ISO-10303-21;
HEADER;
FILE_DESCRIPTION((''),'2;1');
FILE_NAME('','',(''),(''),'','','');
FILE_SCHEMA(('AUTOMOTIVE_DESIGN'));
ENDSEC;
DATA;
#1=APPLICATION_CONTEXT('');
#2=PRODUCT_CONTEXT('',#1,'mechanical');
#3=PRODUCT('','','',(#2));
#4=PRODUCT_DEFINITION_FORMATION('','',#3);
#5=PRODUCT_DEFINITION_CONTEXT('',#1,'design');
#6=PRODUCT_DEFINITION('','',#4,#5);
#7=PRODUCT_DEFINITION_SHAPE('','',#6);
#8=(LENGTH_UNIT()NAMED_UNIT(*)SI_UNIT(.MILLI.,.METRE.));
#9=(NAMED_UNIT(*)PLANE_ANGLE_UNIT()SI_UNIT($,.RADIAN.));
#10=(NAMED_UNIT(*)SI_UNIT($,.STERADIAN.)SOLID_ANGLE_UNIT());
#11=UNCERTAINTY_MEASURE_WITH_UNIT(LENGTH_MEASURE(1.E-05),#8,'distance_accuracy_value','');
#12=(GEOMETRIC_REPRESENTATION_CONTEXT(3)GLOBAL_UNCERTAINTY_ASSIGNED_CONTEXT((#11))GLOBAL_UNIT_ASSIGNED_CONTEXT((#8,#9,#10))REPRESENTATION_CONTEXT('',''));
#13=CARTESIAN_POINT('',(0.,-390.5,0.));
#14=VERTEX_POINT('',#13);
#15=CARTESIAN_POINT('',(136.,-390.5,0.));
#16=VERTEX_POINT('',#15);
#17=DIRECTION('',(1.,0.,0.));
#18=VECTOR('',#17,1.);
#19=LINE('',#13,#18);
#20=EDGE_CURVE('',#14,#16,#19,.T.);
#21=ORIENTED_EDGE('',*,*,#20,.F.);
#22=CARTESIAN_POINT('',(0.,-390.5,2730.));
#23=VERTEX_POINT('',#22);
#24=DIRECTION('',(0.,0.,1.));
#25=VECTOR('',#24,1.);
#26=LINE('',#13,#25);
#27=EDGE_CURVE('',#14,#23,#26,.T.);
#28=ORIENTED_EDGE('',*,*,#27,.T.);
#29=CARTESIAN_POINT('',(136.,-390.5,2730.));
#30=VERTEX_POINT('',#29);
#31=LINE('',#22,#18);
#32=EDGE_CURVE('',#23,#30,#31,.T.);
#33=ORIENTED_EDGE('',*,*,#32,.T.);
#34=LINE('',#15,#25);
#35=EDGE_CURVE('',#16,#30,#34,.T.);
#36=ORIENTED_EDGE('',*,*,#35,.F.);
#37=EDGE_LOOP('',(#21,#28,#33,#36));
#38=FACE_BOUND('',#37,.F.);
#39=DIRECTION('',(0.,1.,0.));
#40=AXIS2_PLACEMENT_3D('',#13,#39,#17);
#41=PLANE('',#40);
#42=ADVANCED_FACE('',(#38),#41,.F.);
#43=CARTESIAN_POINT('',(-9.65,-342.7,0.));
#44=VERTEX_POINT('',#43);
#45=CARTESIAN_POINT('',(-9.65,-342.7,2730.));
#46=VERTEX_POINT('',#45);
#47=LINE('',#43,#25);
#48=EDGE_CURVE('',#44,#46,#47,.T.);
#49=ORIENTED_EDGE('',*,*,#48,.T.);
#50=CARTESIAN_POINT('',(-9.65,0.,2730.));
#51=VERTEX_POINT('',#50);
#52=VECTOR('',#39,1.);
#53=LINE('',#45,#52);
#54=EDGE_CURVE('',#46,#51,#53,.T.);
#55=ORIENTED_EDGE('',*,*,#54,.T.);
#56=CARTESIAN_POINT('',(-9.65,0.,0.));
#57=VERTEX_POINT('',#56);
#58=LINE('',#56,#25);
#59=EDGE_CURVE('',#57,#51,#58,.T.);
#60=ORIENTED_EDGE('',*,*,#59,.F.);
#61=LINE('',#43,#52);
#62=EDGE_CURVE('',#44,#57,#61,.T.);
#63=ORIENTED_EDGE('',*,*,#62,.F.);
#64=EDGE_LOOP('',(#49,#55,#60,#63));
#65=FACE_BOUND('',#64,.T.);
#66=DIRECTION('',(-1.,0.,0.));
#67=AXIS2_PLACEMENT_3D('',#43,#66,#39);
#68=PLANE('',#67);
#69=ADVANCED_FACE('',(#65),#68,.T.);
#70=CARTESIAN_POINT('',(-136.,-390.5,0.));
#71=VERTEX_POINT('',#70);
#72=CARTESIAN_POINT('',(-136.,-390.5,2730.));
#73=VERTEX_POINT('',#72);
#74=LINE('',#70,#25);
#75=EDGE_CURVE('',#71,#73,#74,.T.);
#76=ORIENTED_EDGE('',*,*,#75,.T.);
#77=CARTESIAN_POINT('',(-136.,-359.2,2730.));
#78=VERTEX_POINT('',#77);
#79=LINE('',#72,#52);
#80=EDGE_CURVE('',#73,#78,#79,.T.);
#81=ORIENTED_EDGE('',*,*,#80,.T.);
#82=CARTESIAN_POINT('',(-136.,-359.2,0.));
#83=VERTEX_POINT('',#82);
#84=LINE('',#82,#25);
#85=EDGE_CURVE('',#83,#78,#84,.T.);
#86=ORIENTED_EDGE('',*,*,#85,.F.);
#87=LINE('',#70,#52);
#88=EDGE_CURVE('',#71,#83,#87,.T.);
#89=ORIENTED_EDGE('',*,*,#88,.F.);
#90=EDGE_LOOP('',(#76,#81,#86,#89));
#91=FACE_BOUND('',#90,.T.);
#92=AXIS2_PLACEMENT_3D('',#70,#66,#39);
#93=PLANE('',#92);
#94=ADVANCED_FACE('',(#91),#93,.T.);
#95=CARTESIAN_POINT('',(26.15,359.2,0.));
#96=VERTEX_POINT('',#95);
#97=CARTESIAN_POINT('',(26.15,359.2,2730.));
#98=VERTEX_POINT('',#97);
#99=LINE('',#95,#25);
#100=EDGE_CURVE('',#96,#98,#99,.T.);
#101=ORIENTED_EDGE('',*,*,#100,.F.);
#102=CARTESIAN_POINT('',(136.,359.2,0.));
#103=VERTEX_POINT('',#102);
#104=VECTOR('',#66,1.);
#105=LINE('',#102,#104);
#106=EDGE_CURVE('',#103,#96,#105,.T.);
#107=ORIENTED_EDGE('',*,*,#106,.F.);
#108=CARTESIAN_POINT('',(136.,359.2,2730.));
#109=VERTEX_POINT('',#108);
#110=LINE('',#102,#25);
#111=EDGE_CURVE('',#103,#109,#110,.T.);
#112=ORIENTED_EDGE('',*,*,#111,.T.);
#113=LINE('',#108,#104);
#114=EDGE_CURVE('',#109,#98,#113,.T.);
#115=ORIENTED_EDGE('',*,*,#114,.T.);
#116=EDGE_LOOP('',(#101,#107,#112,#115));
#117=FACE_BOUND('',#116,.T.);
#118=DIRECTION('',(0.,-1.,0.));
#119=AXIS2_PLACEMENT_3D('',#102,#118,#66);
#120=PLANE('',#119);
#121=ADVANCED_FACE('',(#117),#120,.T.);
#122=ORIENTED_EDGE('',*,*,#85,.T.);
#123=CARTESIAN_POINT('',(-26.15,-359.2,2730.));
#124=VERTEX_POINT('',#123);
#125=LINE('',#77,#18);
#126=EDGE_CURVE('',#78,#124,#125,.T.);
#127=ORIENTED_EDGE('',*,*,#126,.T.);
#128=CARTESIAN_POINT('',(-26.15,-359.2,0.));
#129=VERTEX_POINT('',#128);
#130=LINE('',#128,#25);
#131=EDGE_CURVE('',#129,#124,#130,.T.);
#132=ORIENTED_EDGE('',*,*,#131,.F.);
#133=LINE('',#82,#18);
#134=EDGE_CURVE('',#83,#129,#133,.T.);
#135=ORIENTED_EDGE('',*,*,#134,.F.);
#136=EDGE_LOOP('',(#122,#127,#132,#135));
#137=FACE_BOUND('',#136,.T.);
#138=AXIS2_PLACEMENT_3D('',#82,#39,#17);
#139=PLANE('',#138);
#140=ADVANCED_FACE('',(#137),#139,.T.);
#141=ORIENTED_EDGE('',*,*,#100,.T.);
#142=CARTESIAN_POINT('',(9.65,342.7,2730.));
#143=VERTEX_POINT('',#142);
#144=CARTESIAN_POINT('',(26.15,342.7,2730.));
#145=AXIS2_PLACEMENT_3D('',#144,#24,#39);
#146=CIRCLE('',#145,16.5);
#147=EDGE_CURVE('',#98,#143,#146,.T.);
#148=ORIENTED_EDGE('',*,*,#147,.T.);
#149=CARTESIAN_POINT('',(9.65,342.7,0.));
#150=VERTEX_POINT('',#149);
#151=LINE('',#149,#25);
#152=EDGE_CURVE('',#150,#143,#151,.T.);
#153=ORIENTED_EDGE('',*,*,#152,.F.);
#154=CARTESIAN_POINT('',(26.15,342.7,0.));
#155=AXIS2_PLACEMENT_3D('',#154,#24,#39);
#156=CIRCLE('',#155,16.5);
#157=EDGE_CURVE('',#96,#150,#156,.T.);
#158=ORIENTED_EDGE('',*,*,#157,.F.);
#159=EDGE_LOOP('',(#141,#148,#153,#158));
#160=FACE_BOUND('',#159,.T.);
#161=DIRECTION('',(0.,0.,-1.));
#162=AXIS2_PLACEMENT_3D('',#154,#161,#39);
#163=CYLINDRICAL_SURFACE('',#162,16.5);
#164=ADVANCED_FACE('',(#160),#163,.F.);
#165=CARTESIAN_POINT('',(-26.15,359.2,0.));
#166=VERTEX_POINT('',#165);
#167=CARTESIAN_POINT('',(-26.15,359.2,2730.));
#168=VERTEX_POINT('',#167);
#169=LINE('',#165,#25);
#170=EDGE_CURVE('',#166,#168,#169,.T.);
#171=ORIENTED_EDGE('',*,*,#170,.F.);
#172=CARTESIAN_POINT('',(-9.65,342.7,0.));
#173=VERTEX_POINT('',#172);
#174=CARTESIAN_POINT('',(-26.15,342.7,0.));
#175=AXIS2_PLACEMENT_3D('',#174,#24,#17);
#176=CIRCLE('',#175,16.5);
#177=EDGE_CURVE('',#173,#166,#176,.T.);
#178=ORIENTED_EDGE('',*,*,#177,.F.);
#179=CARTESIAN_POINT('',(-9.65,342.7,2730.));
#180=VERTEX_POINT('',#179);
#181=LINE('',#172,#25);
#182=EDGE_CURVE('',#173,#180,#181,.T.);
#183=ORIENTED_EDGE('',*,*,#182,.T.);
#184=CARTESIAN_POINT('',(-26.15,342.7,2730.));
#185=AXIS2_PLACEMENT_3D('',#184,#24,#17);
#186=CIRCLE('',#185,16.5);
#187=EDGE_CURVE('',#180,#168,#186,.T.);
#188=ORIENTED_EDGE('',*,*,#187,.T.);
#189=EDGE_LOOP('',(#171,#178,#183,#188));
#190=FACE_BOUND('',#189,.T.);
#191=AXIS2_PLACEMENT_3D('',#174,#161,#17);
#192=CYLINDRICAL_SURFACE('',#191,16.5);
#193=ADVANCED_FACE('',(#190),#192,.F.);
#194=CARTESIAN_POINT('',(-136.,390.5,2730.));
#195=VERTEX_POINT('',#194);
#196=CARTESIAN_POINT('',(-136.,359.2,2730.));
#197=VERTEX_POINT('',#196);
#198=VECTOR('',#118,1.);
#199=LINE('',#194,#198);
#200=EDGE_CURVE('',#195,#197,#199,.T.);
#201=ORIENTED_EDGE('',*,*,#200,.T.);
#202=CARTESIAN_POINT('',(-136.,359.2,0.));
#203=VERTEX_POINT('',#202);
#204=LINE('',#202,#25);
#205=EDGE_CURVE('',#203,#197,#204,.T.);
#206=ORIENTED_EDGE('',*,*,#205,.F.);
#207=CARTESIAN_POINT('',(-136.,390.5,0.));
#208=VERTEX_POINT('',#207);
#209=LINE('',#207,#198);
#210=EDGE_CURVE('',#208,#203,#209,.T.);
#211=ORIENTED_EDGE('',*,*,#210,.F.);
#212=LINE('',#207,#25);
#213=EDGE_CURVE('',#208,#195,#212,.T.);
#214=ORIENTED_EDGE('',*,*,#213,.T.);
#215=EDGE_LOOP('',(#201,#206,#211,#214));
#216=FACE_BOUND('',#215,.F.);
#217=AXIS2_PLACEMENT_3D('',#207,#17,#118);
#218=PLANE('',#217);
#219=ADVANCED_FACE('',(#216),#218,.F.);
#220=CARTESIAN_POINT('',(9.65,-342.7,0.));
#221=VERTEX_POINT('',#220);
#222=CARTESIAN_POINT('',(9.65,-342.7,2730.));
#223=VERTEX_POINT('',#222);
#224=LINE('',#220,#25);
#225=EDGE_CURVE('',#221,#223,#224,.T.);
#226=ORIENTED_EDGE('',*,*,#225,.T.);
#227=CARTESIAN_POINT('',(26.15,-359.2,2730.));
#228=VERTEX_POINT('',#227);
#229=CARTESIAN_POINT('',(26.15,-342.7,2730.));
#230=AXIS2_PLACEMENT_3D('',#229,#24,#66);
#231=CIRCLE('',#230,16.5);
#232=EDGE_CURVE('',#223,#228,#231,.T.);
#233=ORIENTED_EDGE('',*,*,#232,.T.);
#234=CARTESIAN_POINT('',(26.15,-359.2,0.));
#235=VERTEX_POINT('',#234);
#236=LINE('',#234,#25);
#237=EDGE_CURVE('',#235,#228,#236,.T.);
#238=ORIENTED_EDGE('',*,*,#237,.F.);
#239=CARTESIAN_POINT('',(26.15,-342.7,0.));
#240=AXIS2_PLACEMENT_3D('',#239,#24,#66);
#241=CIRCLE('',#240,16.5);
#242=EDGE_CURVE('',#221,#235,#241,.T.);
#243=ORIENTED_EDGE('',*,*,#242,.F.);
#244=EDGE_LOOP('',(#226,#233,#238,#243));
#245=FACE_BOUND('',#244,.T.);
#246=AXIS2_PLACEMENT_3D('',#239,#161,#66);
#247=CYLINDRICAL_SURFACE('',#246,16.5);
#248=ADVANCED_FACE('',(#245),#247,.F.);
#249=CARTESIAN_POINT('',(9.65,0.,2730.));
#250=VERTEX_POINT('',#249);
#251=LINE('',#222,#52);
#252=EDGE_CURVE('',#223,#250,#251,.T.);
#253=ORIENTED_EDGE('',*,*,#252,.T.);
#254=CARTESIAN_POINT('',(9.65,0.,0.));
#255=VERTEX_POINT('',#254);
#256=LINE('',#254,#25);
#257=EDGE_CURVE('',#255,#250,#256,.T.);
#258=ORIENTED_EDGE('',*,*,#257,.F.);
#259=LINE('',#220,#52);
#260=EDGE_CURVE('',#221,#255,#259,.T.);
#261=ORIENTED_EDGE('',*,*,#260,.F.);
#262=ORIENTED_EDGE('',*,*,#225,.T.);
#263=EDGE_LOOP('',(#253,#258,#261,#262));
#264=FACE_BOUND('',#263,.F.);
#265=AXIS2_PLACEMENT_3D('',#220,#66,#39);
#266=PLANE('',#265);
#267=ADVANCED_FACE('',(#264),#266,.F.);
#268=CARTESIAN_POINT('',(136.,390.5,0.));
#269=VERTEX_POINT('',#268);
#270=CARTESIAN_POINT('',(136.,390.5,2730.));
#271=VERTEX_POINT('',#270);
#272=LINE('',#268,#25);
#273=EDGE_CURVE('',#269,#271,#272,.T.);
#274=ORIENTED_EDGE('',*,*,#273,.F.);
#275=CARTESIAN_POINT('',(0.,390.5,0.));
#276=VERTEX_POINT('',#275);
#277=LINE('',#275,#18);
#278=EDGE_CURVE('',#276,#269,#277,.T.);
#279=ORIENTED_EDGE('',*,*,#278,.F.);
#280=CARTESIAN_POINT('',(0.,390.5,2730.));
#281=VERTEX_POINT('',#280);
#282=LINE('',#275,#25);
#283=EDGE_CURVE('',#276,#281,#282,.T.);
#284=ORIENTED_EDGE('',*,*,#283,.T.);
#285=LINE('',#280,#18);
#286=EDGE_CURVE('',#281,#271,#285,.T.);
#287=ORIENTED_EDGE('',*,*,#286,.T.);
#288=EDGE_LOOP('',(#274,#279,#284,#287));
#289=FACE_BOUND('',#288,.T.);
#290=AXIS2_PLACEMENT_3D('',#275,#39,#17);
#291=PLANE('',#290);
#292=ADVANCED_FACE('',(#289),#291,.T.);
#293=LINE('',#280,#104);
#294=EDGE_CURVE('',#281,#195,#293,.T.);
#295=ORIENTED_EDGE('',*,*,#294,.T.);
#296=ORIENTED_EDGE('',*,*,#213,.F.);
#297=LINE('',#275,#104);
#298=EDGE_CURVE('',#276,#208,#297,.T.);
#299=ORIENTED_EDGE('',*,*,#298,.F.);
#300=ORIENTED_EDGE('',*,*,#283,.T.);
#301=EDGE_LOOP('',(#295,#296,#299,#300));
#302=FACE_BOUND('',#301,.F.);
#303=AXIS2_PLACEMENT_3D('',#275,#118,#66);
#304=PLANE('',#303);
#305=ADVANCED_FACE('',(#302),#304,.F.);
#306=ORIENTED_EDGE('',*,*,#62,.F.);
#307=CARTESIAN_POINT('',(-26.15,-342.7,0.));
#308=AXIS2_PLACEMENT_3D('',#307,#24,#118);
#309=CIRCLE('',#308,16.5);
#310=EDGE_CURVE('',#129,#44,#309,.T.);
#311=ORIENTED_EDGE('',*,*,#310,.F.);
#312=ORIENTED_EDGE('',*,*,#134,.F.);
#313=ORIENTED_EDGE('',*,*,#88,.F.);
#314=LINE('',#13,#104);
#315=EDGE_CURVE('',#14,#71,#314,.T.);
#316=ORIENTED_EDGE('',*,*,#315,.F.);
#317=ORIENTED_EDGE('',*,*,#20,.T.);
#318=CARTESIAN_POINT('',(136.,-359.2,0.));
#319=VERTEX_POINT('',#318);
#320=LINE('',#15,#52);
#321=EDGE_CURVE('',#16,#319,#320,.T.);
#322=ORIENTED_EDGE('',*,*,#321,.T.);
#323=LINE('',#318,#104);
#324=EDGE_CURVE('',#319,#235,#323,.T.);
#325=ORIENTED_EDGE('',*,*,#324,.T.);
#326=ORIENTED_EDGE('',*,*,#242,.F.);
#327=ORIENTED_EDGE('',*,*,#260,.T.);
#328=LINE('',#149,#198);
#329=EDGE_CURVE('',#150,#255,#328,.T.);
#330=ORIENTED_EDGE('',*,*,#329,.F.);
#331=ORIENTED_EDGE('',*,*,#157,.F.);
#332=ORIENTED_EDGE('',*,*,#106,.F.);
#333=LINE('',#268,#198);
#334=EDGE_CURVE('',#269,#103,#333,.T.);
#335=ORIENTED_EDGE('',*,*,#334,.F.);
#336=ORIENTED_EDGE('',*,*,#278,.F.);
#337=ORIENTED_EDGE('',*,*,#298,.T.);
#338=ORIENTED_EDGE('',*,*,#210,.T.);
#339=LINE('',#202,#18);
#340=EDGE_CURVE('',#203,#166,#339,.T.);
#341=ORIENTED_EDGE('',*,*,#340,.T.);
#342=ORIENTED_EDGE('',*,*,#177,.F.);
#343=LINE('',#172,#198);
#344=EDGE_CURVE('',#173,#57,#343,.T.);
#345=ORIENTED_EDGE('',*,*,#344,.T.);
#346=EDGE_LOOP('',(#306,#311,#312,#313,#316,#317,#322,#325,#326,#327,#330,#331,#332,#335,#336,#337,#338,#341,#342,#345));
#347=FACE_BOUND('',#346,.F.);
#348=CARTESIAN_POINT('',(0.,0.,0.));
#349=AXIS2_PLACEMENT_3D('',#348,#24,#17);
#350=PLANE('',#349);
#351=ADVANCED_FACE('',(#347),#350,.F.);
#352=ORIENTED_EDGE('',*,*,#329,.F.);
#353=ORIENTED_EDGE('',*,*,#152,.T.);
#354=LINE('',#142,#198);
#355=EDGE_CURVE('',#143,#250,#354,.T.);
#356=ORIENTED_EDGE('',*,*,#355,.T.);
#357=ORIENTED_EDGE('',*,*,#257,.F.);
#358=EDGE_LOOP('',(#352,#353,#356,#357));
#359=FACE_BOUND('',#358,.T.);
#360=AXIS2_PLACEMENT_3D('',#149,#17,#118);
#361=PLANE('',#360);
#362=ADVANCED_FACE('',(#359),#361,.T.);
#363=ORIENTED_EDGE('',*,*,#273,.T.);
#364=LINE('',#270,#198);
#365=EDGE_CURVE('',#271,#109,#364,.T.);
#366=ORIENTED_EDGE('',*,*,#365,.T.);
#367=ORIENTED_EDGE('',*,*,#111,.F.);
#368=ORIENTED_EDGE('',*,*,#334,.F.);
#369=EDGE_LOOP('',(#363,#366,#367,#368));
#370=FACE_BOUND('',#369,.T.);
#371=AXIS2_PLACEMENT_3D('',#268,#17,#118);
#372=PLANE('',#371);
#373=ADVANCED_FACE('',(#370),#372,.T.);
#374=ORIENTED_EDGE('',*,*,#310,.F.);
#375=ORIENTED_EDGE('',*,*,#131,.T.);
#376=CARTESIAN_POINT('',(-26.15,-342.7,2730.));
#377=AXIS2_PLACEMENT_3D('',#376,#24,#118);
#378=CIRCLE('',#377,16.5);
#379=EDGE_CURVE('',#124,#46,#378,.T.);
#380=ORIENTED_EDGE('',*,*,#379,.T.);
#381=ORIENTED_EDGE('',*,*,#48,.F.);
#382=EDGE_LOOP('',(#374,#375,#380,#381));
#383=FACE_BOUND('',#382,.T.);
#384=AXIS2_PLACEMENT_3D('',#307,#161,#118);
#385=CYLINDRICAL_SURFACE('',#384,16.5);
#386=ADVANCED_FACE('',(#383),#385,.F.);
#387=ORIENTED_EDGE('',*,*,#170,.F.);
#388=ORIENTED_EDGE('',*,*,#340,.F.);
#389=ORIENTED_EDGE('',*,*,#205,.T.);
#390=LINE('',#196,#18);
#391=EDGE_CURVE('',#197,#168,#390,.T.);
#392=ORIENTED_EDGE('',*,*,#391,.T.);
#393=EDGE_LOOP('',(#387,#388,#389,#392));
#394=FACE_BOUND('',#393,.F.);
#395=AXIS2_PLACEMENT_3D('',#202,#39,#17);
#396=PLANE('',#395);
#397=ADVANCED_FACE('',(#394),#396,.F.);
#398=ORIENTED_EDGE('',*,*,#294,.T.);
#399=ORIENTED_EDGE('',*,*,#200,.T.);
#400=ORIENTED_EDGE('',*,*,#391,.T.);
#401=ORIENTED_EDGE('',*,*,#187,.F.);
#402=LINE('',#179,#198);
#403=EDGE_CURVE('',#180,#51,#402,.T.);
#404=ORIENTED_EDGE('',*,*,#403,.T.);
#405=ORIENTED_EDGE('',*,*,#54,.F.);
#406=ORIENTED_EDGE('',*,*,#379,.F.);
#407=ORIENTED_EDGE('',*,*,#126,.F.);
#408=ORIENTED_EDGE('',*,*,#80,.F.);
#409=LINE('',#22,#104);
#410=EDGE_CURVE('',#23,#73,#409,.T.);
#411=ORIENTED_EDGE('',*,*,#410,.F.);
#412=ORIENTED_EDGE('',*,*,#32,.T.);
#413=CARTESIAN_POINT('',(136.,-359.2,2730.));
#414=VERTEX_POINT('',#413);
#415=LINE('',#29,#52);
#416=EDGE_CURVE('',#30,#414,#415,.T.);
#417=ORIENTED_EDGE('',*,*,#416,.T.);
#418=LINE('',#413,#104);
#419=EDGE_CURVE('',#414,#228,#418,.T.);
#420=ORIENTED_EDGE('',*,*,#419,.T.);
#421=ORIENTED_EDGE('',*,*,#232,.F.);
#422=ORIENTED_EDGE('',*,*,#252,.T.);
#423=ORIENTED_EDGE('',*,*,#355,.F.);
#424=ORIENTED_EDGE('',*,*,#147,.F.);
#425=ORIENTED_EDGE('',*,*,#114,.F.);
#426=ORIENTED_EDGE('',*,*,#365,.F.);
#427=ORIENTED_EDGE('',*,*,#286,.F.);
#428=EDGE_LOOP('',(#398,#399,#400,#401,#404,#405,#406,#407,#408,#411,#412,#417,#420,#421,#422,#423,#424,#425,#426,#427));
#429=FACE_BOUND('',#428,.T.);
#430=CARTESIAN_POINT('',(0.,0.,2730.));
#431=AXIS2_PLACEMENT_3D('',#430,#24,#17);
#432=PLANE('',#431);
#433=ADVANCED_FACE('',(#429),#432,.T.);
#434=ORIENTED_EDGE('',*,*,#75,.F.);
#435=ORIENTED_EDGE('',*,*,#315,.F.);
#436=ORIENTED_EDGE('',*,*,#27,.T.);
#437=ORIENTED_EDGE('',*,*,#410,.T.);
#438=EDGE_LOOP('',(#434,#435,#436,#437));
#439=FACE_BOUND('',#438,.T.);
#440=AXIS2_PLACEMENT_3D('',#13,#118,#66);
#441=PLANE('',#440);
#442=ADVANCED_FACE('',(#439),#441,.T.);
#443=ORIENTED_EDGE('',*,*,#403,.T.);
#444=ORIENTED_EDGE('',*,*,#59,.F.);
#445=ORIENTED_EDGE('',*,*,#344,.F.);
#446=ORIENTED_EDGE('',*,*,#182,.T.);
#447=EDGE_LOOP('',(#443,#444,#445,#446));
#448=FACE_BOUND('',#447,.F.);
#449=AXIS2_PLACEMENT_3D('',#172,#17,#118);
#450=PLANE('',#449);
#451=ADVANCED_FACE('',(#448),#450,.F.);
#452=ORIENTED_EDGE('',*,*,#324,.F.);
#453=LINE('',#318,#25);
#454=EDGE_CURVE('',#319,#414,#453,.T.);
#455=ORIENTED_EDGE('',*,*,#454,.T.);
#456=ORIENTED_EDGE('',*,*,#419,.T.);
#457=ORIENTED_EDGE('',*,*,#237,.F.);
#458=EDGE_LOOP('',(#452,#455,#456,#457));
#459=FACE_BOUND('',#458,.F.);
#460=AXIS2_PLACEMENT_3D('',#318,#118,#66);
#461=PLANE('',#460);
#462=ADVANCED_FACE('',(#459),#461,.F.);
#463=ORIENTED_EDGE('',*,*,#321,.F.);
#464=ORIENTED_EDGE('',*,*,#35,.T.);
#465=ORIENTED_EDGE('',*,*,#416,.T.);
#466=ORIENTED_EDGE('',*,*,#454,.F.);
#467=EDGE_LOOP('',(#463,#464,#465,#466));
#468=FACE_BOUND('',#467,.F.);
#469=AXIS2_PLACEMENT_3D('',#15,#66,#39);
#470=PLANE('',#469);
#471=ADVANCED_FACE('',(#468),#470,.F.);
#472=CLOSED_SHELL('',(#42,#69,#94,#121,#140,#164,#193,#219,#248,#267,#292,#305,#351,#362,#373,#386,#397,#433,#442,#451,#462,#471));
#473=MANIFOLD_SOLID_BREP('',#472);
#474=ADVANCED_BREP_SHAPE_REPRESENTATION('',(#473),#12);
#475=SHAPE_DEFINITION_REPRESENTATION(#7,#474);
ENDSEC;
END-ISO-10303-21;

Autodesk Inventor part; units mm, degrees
ref_plane "YZ Plane" through (0, 0, 0) normal (1, 0, 0) x (0, 1, 0)
ref_plane "Start plane" through (0, 0, 0) normal (0, 0, 1) x (1, 0, 0)
ref_plane "End plane" through (0, 0, 2730) normal (0, 0, 1) x (1, 0, 0)
sketch "Sketch" plane through (0, 0, 0) normal (0, 0, 1) x (1, 0, 0)
  line L0 (-136, -390.5) -> (-136, -359.2)
  line L1 (-136, -359.2) -> (-26.15, -359.2)
  line L2 (-9.65, -342.7) -> (-9.65, 0)
  line L3 (-9.65, 0) -> (0, 0) construction
  line L4 (0, 0) -> (0, -390.5) construction
  line L5 (0, -390.5) -> (-136, -390.5)
  line L6 (-60, 0) -> (80, 0) construction
  line L7 (0, -60) -> (0, 80) construction
  line L8 (136, -390.5) -> (136, -359.2)
  line L9 (136, -359.2) -> (26.15, -359.2)
  line L10 (9.65, -342.7) -> (9.65, 0)
  line L11 (9.65, 0) -> (0, 0) construction
  line L12 (0, -390.5) -> (136, -390.5)
  line L13 (-136, 390.5) -> (-136, 359.2)
  line L14 (-136, 359.2) -> (-26.15, 359.2)
  line L15 (-9.65, 342.7) -> (-9.65, 0)
  line L16 (0, 390.5) -> (-136, 390.5)
  line L17 (136, 390.5) -> (136, 359.2)
  line L18 (136, 359.2) -> (26.15, 359.2)
  line L19 (0, 390.5) -> (136, 390.5)
  line L20 (9.65, 342.7) -> (9.65, 0)
  arc A0 (-9.65, 342.7) -> (-26.15, 359.2) centre (-26.15, 342.7) ccw
  arc A1 (26.15, 359.2) -> (9.65, 342.7) centre (26.15, 342.7) ccw
  arc A2 (9.65, -342.7) -> (26.15, -359.2) centre (26.15, -342.7) ccw
  arc A3 (-26.15, -359.2) -> (-9.65, -342.7) centre (-26.15, -342.7) ccw
  line L21 (0, 108) -> (0, -88) construction
  line L22 (-88, 0) -> (108, 0) construction
  point P0 (-9.65, -359.2)
  point P1 (9.65, -359.2)
  point P2 (-9.65, 359.2)
  point P3 (9.65, 359.2)
  dimension "d1" = 390.5
  dimension "d2" = 31.3
  dimension "d3" = 136
  dimension "d4" = 9.65
  dimension "d10" = 16.5
extrude "Body" add sketch "Sketch" along normal up to surface (2730 mm away) from surface at 0
sketch "Sketch4" plane through (0, 0, 0) normal (0, 0, 1) x (1, 0, 0)
  line L0 (0, 0) -> (10, 0)
ref_plane "Work Plane3" through (0, 0, 0) normal (0, -1, 0) x (1, 0, 0)
sketch "Sketch5" plane through (0, 0, 0) normal (0, -1, 0) x (1, 0, 0)
  line L0 (-2, 0) -> (12, 0) projected
  line L1 (-2, 2730) -> (12, 2730) projected
  dimension "d14" = 2730
equation "\"d1\" = 0.5 * G_H"
equation "\"d2\" = G_T1"
equation "\"d3\" = 0.5 * G_W"
equation "\"d4\" = 0.5 * G_T"
equation "\"d10\" = G_IR"
equation "\"d5\" = G_L"
equation "\"G_W\" = 272"
equation "\"G_H\" = 781"
equation "\"G_T\" = 19.3"
equation "\"G_T1\" = 31.3"
equation "\"G_IR\" = 16.5"
equation "\"G_L\" = d14"
equation "\"G_OFFSET_START\" = 0"
equation "\"G_OFFSET_END\" = 0"
properties part number "AS 3679-1990 - 760 UB - 244 - 2730" material "Steel, Mild"
